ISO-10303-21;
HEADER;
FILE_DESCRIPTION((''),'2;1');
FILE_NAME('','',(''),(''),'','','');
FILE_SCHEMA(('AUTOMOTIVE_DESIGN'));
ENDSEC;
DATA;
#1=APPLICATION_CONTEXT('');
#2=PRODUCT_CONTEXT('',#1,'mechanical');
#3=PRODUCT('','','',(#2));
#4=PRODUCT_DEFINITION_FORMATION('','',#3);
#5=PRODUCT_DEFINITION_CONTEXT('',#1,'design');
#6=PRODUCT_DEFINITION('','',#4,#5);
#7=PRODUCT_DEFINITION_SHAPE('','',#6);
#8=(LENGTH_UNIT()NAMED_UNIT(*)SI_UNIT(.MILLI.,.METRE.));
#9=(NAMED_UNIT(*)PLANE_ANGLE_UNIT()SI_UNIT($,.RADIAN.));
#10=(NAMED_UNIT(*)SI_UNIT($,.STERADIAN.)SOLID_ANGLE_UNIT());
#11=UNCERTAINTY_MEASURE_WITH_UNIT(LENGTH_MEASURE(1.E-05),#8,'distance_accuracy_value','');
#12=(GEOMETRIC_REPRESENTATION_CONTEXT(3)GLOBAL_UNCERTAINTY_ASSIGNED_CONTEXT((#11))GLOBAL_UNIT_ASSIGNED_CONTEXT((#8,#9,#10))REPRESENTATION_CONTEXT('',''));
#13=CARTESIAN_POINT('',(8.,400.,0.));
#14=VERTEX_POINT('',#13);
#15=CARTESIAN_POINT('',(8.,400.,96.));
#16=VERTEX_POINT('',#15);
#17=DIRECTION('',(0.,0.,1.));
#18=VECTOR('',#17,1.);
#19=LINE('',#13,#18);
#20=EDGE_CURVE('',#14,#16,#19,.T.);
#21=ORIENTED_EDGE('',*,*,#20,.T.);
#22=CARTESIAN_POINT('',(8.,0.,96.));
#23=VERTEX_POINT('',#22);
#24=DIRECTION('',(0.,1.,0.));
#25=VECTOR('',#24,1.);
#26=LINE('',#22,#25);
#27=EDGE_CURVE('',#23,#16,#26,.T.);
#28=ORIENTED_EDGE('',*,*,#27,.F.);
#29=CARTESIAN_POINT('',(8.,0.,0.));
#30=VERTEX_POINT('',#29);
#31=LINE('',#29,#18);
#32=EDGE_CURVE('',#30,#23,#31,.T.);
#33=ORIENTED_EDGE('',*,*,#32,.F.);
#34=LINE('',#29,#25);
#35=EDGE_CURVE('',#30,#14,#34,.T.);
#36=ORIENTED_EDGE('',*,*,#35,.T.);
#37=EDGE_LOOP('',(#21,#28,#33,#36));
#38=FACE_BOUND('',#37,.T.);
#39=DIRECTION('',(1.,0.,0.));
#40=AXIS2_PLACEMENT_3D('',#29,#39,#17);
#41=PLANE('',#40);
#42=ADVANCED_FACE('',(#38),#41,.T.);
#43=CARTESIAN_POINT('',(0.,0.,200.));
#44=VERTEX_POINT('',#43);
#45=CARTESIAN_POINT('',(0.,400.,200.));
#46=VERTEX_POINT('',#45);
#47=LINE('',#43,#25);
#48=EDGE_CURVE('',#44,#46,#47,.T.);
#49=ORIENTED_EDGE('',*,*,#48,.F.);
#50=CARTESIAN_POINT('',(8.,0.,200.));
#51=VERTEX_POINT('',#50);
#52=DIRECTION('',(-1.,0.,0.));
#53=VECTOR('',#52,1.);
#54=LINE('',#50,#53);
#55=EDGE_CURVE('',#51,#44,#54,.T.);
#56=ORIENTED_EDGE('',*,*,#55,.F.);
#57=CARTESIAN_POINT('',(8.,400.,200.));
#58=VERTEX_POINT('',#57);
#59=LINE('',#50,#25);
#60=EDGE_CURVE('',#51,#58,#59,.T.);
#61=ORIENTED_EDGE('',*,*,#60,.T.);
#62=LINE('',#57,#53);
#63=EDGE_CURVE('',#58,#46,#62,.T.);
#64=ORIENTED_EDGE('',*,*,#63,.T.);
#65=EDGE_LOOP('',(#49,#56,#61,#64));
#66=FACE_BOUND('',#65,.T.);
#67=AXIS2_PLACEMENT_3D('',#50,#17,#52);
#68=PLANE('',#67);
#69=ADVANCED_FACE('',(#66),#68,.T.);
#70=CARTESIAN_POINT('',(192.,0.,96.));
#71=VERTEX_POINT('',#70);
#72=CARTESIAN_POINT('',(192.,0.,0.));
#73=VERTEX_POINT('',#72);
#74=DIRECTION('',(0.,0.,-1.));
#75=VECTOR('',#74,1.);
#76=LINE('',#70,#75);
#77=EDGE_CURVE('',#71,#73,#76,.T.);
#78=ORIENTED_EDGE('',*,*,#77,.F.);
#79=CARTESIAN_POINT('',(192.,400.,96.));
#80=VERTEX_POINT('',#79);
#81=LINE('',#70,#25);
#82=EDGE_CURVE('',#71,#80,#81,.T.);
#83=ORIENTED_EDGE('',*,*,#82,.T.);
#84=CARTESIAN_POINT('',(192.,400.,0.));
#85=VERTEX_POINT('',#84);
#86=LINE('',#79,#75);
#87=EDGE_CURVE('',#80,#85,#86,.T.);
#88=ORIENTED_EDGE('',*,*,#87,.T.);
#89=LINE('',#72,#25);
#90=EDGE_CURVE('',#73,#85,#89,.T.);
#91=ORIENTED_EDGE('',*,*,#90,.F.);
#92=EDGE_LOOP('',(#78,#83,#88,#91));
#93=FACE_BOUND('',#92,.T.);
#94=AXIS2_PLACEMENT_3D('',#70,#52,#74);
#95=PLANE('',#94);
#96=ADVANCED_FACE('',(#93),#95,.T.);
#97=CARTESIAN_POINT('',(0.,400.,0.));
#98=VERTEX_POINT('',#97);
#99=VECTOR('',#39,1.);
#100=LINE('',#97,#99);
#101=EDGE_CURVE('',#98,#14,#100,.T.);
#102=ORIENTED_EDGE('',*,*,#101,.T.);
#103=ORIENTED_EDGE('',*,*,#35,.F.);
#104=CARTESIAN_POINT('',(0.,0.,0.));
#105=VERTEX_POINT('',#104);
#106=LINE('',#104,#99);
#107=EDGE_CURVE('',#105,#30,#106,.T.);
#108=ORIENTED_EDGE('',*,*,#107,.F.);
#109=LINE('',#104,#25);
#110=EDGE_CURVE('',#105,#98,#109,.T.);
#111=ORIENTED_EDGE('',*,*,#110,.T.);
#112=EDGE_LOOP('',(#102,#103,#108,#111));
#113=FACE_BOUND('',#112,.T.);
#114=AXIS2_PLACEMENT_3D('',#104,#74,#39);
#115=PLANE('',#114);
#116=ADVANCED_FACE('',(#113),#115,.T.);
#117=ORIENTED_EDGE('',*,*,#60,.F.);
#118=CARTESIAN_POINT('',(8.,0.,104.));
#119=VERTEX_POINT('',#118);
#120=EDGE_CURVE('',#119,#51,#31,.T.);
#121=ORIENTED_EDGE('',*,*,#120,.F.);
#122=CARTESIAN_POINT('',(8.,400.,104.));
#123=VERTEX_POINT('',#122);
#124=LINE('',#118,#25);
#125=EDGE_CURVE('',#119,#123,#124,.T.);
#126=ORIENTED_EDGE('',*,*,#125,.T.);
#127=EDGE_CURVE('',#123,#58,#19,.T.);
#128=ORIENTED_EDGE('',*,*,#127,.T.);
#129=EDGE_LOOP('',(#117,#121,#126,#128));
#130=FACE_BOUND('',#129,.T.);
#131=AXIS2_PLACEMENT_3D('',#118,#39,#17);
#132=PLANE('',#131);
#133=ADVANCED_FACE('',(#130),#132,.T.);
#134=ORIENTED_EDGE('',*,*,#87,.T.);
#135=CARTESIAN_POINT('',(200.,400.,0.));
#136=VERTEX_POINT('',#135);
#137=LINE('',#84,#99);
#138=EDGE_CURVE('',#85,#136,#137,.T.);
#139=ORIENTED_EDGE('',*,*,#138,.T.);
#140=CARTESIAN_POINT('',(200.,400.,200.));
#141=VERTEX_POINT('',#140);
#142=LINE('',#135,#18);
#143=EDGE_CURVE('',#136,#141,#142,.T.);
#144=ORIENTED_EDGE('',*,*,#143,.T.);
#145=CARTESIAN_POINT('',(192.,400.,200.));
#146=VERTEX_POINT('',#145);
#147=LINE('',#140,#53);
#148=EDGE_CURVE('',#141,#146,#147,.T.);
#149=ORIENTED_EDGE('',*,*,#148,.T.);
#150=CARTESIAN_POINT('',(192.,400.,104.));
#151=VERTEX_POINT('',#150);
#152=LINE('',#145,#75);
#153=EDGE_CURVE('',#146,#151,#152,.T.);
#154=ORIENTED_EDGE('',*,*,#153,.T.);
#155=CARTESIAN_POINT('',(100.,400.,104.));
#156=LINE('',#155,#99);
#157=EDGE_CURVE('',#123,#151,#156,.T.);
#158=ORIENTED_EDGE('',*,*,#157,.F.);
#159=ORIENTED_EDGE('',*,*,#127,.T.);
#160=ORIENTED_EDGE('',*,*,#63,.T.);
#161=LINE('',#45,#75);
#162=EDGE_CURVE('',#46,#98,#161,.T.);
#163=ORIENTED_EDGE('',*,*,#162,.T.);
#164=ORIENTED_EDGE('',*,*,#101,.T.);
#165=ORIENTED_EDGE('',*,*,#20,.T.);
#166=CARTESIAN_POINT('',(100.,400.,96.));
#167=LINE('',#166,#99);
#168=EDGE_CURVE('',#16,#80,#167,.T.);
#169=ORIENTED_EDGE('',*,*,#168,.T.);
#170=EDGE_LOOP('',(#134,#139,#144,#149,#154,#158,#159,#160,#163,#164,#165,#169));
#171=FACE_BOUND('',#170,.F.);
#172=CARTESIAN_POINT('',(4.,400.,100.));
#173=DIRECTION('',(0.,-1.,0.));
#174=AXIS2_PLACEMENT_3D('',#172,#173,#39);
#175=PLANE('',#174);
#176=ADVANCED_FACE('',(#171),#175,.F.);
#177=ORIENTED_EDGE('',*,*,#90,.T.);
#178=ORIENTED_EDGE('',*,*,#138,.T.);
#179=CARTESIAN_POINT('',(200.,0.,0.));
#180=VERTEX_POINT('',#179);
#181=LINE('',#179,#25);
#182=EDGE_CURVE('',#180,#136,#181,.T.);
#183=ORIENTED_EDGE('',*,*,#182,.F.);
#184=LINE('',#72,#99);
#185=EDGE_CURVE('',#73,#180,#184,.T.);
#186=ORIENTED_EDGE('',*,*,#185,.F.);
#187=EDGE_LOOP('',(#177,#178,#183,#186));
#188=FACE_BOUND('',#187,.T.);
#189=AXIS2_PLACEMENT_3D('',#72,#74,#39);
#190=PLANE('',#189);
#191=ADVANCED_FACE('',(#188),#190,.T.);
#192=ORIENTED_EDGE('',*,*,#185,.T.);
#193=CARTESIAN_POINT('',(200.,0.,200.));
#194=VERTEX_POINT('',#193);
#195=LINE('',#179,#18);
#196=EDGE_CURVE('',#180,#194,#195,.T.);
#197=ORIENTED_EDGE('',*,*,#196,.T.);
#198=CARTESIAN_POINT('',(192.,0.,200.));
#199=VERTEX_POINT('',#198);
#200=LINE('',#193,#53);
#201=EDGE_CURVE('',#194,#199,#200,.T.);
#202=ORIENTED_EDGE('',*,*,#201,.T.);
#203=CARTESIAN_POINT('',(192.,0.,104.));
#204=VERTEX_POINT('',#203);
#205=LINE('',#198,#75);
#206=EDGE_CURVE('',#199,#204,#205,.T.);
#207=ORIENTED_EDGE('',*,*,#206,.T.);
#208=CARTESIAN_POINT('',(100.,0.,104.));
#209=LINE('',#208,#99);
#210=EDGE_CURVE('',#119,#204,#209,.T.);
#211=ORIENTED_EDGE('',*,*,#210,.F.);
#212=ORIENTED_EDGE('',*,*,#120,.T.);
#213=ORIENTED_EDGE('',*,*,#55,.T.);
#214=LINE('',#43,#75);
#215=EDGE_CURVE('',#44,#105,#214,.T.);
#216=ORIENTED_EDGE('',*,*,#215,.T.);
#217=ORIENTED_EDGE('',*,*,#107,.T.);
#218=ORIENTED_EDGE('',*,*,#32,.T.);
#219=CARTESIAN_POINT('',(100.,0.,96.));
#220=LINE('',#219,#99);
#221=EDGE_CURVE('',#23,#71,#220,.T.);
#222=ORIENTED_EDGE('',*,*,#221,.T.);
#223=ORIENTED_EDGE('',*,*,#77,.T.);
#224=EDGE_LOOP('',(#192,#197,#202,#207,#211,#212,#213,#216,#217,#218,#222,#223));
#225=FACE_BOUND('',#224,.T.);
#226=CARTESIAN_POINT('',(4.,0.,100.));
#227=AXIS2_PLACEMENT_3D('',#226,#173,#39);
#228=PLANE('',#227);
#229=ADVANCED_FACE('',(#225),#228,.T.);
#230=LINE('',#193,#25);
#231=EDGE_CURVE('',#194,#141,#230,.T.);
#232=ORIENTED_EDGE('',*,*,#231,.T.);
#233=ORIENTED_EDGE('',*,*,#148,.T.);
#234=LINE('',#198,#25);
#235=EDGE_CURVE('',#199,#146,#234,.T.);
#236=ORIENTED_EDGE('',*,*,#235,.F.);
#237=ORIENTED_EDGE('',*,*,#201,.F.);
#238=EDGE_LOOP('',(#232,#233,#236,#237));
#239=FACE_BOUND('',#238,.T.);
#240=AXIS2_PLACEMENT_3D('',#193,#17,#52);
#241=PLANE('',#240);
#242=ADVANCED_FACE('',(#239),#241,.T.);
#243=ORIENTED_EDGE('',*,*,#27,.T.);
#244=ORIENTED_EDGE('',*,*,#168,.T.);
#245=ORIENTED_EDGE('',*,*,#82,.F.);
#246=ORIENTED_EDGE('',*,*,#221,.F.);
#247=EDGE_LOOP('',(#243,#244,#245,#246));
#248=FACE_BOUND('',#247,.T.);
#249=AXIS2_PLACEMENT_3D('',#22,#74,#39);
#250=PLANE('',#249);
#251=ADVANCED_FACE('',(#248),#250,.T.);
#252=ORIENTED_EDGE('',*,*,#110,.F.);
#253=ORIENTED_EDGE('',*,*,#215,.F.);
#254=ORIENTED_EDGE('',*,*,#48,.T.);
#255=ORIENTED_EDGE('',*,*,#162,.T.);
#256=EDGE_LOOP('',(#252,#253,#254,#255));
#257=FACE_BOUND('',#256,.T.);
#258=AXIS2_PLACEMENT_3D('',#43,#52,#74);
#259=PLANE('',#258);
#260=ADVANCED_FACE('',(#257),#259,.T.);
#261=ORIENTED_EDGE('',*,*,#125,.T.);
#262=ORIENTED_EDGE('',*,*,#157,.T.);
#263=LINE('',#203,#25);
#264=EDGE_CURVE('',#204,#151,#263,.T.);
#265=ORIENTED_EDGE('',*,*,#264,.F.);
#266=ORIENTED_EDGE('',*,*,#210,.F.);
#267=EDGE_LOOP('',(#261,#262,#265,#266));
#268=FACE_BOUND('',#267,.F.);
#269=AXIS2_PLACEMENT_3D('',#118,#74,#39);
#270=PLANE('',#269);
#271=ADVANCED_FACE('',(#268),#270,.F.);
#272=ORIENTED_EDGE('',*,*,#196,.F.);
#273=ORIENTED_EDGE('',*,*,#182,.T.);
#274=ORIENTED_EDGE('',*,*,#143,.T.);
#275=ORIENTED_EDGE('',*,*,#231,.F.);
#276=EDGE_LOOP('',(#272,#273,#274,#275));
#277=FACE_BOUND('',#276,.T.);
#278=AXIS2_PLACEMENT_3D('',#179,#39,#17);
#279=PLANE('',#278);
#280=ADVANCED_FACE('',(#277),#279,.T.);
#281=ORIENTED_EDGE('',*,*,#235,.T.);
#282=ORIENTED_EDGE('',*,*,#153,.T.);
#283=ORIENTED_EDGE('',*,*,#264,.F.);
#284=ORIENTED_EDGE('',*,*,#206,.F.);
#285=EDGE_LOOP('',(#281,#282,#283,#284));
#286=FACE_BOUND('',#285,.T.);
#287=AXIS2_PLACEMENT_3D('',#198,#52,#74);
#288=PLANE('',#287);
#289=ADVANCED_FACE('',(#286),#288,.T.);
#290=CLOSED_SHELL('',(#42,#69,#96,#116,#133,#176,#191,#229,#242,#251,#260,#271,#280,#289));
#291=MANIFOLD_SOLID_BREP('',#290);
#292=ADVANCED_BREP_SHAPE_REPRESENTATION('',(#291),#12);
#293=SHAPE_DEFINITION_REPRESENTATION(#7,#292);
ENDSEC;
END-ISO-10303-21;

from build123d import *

# Parameters (mm, degrees)
F0_W     = 184
F0_H     = 8
F1_DEPTH = 400


with BuildPart() as f1:
    # F0 (on Front) → F1 (new body)
    with BuildSketch(Plane.XZ):
        Polygon((0, 200), (0, 0), (8, 0), (8, 96), (8, 104), (8, 200), align=None)
        with Locations((100, 100)):
            Rectangle(F0_W, F0_H)
        Polygon((192, 104), (192, 96), (192, 0), (200, 0), (200, 200), (192, 200), align=None)
    extrude(amount=-F1_DEPTH)


solid = f1.part
